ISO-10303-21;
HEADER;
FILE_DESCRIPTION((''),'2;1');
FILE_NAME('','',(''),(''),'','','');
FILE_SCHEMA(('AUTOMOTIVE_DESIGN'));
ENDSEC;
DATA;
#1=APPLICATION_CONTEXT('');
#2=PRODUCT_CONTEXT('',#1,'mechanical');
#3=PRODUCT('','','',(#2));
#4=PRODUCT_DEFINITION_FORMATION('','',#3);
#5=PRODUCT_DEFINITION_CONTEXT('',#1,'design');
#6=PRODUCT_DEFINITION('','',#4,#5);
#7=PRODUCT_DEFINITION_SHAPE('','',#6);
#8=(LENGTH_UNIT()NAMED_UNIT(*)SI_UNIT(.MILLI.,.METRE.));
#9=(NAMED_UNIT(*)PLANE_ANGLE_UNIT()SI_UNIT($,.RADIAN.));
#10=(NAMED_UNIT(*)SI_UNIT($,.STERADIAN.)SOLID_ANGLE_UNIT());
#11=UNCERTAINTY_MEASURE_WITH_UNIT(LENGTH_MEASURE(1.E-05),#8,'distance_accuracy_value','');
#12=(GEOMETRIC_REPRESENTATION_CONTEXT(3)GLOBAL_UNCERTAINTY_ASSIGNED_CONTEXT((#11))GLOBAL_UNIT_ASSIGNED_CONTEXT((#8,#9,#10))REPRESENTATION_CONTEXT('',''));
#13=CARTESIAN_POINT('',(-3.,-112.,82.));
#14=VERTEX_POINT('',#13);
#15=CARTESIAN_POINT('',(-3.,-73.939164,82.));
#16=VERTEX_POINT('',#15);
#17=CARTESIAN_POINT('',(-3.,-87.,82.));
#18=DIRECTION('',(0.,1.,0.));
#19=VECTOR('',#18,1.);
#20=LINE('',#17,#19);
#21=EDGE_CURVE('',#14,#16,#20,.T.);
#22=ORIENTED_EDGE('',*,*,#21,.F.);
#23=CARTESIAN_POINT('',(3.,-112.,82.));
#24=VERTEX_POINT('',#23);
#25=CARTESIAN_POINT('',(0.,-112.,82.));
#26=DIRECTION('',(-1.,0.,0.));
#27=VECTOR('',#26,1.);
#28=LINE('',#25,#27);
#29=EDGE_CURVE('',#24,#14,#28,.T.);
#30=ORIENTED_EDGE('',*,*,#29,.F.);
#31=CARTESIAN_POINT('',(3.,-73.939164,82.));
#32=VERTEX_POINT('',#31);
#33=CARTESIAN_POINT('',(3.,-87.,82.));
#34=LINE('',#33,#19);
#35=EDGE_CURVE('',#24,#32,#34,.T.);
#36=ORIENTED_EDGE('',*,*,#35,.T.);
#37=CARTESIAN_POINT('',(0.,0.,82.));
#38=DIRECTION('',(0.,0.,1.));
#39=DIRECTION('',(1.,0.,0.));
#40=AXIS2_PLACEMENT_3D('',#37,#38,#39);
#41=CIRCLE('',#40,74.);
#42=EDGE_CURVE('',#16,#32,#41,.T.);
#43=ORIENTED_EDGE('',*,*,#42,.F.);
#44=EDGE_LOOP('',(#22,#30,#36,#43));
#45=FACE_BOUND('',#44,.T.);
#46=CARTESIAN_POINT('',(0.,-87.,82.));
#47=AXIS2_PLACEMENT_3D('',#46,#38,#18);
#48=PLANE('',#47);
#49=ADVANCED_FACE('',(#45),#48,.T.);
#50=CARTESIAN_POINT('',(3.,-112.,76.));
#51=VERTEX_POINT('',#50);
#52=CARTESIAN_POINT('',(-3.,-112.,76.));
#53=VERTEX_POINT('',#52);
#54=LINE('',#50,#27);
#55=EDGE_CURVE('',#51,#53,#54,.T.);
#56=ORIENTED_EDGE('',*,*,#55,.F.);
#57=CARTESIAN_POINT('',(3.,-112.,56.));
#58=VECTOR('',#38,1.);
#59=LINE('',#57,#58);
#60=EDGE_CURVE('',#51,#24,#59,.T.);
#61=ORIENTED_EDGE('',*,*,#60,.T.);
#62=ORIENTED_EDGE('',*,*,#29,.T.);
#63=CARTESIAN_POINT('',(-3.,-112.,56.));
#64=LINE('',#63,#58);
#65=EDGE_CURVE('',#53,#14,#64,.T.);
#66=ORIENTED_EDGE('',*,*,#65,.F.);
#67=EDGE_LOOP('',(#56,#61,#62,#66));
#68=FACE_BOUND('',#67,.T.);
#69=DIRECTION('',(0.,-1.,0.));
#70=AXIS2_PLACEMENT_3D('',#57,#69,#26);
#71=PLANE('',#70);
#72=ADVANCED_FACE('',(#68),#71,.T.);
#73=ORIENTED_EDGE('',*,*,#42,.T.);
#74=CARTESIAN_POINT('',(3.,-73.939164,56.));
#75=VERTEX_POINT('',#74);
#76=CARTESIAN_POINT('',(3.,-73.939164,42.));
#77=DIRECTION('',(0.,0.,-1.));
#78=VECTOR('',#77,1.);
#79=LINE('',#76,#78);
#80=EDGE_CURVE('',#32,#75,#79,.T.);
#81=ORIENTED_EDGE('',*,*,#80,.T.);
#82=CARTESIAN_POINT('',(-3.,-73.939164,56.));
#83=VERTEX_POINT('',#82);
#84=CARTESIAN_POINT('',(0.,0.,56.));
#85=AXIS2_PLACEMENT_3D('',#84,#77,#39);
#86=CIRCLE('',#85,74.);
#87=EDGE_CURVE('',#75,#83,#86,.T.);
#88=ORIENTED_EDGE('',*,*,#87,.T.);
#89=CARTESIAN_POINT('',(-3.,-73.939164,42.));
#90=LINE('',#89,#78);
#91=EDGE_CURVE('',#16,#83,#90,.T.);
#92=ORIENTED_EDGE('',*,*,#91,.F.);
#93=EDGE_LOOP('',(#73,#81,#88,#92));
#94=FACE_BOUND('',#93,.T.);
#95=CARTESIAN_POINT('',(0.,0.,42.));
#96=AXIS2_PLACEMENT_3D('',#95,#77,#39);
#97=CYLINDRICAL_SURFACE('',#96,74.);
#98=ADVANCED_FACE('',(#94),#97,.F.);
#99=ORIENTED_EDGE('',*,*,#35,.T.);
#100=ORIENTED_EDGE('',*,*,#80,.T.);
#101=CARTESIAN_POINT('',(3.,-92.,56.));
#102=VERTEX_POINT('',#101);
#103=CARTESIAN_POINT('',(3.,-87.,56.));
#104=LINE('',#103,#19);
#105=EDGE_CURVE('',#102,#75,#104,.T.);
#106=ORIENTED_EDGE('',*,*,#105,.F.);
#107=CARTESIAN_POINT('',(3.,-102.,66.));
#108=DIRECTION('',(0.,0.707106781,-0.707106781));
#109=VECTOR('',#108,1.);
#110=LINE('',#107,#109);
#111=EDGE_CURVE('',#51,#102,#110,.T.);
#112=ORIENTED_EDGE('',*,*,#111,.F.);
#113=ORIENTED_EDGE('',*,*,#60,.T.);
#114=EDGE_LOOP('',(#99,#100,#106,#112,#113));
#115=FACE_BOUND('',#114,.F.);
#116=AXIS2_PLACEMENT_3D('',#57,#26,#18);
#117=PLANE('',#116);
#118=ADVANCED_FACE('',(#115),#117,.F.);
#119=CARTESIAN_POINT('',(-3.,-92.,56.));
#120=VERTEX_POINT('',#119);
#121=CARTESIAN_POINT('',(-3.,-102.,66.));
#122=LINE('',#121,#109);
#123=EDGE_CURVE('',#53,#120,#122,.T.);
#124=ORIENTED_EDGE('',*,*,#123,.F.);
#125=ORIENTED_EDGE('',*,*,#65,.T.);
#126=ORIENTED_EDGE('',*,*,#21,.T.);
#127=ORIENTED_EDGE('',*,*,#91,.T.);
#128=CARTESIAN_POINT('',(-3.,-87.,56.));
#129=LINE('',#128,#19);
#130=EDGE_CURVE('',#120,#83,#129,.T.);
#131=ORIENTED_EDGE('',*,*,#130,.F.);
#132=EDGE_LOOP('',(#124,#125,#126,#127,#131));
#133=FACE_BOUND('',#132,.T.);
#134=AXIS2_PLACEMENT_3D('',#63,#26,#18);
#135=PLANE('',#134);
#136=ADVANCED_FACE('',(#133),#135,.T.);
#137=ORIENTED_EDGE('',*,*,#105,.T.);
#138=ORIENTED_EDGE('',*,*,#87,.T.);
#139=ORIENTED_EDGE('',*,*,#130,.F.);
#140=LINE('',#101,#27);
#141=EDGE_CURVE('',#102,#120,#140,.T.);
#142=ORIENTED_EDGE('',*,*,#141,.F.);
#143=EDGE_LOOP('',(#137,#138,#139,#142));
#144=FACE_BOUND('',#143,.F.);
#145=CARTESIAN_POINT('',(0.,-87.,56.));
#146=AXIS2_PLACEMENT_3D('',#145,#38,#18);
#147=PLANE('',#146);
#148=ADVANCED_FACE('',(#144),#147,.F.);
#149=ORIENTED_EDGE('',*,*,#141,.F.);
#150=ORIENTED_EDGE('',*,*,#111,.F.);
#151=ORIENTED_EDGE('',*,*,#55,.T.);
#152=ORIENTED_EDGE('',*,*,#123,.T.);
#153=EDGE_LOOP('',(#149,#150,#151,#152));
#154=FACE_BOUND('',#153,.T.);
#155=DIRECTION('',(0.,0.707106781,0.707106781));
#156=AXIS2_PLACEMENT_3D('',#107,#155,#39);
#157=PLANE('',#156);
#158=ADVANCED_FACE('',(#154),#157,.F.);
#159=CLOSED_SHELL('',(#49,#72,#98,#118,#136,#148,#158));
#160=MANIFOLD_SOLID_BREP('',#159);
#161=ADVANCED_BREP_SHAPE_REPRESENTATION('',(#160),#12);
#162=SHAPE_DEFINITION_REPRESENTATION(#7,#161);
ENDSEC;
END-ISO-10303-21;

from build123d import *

# Parameters (mm, degrees)
CYLINDER969_R     = 74
CYLINDER969_DEPTH = 40
BOX480_W          = 50
BOX480_H          = 6
BOX480_DEPTH      = 26
CHAMFER011_SIZE   = 20


with BuildPart() as v_lec969:
    # Cylinder969 → Cylinder969 (new body)
    with BuildSketch(Plane.XY.offset(42)):
        Circle(CYLINDER969_R)
    extrude(amount=CYLINDER969_DEPTH)


with BuildPart() as chamfer011:
    # Box480 → Box480 (new body)
    with BuildSketch(Plane(origin=(3, -112, 56), x_dir=(0, 1, 0), z_dir=(0, 0, 1))):
        with Locations((25, 3)):
            Rectangle(BOX480_W, BOX480_H)
    extrude(amount=BOX480_DEPTH)

    # Cut449: cut Válec969
    add(v_lec969.part, mode=Mode.SUBTRACT)

    # Chamfer011
    chamfer011_edges = [chamfer011.edges().sort_by_distance(p)[0] for p in [
        (0, -112, 56),
    ]]
    chamfer(chamfer011_edges, length=CHAMFER011_SIZE)


solid = chamfer011.part
